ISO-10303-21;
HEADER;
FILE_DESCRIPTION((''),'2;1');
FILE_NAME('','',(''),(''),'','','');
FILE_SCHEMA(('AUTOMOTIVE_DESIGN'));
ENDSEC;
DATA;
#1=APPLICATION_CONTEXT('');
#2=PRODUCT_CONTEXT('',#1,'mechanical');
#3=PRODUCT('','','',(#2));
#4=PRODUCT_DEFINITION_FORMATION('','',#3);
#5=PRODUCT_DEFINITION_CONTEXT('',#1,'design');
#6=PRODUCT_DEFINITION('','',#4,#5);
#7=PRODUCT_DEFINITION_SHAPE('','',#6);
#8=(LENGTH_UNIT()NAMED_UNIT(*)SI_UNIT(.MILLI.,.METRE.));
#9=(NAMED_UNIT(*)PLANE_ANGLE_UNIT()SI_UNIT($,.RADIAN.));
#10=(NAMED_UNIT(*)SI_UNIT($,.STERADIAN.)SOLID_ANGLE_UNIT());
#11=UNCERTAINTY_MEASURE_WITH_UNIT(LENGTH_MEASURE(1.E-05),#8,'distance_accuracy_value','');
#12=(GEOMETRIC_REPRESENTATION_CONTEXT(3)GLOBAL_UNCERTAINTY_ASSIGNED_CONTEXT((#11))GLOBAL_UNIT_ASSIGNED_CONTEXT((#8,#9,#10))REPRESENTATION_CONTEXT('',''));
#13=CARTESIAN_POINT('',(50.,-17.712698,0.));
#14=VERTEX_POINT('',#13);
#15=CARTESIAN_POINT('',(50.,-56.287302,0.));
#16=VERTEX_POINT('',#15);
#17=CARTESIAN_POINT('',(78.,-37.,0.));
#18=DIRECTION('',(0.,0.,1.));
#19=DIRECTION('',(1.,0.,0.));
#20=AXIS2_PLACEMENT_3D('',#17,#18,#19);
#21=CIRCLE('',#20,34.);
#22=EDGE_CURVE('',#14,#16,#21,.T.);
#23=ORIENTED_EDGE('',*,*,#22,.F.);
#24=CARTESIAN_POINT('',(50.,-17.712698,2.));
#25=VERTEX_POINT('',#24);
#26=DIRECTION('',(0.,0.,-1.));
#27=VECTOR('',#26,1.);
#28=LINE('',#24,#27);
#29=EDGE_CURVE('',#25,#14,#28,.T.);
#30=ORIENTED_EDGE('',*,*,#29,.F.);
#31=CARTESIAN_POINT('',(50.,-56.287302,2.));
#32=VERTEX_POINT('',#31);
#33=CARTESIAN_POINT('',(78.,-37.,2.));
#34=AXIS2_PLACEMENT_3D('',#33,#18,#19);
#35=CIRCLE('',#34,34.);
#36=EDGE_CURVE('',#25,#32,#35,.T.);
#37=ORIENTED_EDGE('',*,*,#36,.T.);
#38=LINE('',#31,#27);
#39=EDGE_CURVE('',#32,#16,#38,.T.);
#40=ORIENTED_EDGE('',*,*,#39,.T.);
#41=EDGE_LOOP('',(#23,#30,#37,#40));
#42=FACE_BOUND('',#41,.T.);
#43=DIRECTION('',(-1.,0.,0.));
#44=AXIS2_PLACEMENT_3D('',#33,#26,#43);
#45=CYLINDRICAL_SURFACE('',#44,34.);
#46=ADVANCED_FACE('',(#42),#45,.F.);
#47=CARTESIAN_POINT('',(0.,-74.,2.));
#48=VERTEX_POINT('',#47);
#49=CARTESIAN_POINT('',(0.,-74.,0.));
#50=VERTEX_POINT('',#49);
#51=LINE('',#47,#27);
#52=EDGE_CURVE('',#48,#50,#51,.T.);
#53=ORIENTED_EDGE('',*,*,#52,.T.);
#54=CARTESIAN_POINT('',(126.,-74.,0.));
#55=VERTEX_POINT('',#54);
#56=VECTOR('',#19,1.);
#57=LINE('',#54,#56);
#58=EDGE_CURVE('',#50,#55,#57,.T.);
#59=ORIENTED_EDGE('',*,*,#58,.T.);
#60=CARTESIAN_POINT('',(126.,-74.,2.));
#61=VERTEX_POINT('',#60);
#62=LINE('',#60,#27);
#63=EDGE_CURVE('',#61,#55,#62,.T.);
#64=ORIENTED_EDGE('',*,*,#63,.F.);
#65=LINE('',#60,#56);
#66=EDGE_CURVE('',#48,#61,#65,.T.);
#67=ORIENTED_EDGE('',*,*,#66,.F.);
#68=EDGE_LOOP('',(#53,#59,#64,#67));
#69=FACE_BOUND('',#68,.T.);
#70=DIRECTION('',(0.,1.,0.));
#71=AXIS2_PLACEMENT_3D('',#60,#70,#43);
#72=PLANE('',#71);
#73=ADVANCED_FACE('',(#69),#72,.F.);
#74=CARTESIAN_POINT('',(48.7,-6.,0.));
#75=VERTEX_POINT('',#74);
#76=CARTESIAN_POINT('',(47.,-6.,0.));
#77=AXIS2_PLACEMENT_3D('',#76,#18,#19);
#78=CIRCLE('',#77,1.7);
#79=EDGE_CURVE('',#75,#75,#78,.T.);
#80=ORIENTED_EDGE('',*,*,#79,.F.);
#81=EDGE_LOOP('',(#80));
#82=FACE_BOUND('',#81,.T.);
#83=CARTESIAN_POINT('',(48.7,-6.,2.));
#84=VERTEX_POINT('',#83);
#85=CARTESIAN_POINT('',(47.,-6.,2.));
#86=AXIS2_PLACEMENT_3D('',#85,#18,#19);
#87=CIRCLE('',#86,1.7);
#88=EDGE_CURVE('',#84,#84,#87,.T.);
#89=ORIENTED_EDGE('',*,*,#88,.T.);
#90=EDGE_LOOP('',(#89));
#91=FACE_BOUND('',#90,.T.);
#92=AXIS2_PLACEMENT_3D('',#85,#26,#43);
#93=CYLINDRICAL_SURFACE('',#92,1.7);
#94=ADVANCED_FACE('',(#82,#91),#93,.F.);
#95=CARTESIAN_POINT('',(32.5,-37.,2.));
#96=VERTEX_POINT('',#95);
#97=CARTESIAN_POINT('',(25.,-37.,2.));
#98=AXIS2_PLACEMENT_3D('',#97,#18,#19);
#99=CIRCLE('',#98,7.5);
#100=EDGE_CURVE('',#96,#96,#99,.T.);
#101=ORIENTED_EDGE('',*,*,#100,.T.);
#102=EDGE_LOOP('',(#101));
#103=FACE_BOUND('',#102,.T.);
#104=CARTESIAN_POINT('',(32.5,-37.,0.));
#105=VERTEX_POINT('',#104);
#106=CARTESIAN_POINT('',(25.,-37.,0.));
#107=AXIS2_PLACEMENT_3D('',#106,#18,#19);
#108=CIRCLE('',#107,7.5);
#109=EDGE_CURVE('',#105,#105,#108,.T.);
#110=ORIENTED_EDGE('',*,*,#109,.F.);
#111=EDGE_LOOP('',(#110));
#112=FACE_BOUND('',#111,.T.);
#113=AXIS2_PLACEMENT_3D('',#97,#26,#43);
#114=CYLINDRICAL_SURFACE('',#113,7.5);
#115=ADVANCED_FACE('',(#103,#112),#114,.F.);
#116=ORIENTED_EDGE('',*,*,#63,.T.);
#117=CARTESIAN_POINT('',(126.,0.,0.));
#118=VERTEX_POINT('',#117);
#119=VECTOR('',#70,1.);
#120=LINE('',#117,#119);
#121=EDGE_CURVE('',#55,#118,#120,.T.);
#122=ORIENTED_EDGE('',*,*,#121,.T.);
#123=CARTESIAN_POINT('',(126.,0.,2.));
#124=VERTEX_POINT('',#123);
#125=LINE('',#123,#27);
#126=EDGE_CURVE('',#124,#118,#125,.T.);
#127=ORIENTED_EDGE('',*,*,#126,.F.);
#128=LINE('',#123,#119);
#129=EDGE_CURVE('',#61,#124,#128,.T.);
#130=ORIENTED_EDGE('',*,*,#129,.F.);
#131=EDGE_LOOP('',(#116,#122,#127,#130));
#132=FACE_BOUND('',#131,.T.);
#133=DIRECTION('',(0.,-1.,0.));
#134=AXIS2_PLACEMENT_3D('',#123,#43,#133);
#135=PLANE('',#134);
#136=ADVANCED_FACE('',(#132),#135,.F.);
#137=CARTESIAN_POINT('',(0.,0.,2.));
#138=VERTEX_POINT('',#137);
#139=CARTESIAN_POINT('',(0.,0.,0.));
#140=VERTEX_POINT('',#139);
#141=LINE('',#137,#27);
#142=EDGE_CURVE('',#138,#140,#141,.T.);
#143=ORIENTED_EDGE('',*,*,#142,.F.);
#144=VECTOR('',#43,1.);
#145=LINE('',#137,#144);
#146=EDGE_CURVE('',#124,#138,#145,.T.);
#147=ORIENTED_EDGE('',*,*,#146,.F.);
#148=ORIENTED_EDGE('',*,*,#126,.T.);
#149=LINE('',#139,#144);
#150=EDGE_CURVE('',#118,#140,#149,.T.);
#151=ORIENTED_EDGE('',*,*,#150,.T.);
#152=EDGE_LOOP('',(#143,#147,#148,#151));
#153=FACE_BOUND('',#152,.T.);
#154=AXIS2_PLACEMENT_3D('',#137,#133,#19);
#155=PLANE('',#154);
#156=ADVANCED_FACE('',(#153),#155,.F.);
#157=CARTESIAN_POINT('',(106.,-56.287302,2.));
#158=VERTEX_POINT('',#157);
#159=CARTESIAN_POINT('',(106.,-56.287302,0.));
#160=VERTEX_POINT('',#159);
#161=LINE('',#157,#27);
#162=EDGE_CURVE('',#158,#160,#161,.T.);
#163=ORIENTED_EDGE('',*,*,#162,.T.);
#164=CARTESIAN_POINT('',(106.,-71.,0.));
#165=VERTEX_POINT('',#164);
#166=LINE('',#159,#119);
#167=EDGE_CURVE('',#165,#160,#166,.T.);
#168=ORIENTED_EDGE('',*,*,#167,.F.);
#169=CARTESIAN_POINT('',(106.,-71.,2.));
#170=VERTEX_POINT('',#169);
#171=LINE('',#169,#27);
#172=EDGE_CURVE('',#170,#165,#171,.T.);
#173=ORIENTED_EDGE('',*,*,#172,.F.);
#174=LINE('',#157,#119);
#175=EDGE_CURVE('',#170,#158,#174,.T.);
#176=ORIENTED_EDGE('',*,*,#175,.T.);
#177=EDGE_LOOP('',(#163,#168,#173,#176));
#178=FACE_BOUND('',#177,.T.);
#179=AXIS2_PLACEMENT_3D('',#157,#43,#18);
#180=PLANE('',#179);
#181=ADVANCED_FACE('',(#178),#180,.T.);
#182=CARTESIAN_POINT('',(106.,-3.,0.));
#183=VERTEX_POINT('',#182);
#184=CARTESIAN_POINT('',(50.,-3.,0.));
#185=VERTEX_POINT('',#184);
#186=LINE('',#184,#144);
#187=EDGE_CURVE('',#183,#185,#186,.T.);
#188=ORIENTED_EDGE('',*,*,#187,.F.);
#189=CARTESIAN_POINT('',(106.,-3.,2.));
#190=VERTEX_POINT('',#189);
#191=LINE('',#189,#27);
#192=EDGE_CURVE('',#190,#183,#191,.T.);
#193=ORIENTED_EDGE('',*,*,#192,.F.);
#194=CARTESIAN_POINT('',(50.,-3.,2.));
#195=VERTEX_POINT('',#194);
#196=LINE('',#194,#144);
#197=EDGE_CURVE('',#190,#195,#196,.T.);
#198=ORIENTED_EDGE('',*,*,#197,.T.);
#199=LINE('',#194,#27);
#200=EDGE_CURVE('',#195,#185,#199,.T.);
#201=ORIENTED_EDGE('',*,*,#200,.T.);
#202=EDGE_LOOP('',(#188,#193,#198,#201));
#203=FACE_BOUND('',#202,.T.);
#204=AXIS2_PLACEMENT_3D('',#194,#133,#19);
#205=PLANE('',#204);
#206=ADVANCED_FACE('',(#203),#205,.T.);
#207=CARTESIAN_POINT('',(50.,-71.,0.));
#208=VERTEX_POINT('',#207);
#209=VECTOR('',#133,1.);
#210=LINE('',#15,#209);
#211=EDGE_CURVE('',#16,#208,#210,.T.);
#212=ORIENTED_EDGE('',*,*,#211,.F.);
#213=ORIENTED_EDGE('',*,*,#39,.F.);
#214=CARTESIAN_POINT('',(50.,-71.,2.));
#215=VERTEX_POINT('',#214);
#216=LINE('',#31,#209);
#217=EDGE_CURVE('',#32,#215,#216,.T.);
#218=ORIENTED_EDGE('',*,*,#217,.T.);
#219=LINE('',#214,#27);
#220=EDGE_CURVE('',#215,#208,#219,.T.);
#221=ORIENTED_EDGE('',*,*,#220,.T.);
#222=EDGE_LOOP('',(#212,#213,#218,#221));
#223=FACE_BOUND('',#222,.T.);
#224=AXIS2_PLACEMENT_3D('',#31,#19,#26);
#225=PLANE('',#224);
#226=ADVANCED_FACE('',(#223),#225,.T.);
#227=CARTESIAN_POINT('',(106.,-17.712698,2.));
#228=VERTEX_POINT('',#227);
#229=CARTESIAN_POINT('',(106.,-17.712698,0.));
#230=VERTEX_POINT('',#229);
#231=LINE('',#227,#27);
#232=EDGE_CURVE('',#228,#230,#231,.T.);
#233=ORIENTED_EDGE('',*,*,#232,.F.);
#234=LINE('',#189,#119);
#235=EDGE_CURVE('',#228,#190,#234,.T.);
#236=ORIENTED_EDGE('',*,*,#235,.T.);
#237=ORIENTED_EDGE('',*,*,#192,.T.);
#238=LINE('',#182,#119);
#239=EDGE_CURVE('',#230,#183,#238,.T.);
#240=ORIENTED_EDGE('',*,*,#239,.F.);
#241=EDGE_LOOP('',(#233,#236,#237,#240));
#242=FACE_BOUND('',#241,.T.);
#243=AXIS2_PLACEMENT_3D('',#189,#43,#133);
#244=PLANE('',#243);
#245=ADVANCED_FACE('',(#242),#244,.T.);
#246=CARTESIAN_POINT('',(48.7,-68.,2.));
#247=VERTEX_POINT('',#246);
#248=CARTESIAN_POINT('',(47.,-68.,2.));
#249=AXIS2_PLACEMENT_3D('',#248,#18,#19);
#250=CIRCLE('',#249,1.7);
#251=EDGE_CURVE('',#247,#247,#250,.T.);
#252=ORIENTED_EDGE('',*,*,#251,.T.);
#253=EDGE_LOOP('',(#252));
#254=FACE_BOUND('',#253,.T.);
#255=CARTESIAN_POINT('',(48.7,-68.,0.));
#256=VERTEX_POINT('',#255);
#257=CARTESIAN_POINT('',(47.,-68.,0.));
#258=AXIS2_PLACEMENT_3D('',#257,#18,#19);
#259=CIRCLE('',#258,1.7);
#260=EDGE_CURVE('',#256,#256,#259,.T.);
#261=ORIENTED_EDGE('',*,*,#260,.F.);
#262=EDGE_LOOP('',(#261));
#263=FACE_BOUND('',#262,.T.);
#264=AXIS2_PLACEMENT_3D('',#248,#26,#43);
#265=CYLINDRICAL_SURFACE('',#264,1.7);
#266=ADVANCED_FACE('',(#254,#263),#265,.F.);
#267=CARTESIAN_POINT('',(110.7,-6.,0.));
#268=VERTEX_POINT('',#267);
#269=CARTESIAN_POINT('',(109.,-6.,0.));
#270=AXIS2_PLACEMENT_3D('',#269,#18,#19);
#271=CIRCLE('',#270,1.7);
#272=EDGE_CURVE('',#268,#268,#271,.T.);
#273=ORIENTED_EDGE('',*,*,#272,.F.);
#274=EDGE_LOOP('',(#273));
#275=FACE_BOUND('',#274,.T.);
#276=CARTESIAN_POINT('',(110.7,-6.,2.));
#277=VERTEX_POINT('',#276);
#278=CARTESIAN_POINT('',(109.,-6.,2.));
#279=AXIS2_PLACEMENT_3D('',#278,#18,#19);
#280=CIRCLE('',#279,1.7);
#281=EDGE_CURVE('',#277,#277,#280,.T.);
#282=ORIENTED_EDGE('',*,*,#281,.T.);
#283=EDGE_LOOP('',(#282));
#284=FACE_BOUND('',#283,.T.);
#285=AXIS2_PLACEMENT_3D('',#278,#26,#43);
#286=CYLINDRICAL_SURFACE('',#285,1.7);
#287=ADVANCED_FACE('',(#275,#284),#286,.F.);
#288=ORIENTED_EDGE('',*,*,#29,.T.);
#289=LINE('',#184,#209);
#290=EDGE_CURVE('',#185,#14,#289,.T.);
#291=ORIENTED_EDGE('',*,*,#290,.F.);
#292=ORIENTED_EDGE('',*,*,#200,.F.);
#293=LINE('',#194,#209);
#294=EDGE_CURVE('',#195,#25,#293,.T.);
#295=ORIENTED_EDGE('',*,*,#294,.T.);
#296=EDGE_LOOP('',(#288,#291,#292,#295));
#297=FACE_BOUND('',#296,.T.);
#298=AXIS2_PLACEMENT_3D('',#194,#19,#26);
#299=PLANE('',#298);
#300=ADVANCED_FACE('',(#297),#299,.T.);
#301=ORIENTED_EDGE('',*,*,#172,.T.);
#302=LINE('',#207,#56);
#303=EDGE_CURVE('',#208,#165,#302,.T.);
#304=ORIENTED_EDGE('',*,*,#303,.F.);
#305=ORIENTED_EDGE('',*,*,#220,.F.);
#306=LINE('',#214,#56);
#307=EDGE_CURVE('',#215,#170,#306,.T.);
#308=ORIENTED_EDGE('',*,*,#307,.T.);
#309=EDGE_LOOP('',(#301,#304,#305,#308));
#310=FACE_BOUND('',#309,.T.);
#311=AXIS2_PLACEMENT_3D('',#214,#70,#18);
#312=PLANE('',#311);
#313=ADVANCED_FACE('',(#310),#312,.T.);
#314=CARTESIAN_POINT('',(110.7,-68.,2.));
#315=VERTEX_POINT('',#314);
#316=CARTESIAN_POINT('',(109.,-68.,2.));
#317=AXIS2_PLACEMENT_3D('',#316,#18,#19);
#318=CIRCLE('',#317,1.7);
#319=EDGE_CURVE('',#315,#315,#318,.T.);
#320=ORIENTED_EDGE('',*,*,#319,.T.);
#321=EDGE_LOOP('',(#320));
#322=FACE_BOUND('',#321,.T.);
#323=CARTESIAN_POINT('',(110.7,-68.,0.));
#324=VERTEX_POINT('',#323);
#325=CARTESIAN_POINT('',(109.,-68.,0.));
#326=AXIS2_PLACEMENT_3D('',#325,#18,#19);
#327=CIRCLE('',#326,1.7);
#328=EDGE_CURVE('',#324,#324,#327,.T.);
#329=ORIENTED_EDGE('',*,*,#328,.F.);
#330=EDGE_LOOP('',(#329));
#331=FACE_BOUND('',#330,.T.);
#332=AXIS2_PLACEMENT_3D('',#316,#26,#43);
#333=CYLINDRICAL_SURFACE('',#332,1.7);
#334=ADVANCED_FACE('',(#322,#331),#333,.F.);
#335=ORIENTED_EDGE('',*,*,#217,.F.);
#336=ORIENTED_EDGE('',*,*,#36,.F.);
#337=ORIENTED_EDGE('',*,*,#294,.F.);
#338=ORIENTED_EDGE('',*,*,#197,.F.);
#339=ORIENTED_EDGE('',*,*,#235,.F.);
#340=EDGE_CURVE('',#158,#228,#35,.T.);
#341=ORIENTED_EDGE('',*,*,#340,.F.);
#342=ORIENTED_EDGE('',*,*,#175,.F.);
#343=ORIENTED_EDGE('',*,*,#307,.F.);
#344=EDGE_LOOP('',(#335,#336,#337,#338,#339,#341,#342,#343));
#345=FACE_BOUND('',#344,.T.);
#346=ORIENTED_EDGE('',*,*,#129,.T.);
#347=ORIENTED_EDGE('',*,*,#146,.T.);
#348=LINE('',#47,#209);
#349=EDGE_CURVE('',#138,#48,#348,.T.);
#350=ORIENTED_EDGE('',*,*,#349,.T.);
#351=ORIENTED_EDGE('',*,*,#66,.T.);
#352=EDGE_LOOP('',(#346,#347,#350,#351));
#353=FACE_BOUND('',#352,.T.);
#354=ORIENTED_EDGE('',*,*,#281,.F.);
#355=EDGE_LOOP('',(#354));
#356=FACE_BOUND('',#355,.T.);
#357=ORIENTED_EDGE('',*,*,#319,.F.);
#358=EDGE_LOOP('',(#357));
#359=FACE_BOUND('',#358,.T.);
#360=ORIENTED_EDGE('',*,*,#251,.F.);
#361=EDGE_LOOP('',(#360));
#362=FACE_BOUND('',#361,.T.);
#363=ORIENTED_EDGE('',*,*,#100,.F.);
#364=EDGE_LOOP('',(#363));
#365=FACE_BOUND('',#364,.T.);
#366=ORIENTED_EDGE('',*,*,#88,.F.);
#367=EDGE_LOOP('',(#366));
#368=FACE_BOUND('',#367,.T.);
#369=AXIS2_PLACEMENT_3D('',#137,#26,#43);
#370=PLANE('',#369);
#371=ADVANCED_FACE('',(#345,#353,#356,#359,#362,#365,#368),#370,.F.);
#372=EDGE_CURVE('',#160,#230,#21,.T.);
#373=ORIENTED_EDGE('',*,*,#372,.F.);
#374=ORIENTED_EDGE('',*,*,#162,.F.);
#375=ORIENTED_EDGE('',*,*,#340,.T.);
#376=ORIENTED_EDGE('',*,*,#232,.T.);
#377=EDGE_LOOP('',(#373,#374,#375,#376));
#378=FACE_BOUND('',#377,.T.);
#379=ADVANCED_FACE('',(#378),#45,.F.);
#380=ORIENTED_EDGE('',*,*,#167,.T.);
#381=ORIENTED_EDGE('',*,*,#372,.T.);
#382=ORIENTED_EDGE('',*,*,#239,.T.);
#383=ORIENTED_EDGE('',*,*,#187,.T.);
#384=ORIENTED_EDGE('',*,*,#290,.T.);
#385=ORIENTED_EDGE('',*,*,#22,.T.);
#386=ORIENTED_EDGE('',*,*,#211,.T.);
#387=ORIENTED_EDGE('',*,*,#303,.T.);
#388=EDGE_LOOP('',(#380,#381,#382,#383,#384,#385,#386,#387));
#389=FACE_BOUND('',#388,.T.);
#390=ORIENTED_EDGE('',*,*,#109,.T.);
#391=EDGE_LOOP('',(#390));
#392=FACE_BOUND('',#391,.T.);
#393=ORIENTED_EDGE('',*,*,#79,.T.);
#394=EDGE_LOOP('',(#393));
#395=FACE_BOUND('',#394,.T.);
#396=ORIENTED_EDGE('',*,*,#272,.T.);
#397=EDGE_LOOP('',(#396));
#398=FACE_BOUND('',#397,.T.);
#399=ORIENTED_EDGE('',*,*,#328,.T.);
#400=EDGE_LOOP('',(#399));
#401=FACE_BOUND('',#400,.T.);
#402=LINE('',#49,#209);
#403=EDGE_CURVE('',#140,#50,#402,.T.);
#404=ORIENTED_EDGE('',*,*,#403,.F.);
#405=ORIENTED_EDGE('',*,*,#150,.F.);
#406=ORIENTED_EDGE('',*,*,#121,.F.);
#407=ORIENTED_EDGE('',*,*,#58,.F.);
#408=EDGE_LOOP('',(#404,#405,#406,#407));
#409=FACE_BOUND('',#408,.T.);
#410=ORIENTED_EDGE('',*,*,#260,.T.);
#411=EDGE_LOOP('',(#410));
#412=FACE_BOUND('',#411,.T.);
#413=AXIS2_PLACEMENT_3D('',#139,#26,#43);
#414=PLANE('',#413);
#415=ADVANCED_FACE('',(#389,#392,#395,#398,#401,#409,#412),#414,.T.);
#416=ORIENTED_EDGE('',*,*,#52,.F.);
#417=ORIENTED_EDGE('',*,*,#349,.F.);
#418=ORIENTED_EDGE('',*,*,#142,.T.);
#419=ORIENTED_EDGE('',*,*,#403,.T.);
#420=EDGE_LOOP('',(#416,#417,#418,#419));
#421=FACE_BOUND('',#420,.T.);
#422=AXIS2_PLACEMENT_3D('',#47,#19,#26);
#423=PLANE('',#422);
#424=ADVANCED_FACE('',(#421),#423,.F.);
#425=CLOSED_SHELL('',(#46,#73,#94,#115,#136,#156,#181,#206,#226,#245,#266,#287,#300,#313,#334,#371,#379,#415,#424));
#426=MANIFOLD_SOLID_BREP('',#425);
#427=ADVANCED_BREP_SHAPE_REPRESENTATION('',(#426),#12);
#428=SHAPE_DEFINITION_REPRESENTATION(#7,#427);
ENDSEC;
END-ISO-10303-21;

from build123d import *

# Parameters (mm, degrees)
ESBO_O1_W                = 126
ESBO_O1_H                = 74
ESBO_O1_R                = 1.7
ESBO_O1_R_2              = 7.5
RESSALTO_EXTRUS_O1_DEPTH = 2


with BuildPart() as part:
    # Esboço1 → Ressalto-extrusão1 (new body)
    with BuildSketch(Plane.XY):
        with Locations((63, -37)):
            Rectangle(ESBO_O1_W, ESBO_O1_H)
        with Locations((47, -6)):
            Circle(ESBO_O1_R, mode=Mode.SUBTRACT)
        with Locations((109, -6)):
            Circle(ESBO_O1_R, mode=Mode.SUBTRACT)
        with Locations((47, -68)):
            Circle(ESBO_O1_R, mode=Mode.SUBTRACT)
        with Locations((109, -68)):
            Circle(ESBO_O1_R, mode=Mode.SUBTRACT)
        with Locations((25, -37)):
            Circle(ESBO_O1_R_2, mode=Mode.SUBTRACT)
        with BuildLine():
            Line((50, -3), (50, -17.712698478))
            ThreePointArc((50, -17.712698478), (44, -37), (50, -56.287301522))
            Line((50, -56.287301522), (50, -71))
            Line((50, -71), (106, -71))
            Line((106, -71), (106, -56.287301522))
            ThreePointArc((106, -56.287301522), (112, -37), (106, -17.712698478))
            Line((106, -17.712698478), (106, -3))
            Line((106, -3), (50, -3))
        make_face(mode=Mode.SUBTRACT)
    extrude(amount=RESSALTO_EXTRUS_O1_DEPTH)


solid = part.part
